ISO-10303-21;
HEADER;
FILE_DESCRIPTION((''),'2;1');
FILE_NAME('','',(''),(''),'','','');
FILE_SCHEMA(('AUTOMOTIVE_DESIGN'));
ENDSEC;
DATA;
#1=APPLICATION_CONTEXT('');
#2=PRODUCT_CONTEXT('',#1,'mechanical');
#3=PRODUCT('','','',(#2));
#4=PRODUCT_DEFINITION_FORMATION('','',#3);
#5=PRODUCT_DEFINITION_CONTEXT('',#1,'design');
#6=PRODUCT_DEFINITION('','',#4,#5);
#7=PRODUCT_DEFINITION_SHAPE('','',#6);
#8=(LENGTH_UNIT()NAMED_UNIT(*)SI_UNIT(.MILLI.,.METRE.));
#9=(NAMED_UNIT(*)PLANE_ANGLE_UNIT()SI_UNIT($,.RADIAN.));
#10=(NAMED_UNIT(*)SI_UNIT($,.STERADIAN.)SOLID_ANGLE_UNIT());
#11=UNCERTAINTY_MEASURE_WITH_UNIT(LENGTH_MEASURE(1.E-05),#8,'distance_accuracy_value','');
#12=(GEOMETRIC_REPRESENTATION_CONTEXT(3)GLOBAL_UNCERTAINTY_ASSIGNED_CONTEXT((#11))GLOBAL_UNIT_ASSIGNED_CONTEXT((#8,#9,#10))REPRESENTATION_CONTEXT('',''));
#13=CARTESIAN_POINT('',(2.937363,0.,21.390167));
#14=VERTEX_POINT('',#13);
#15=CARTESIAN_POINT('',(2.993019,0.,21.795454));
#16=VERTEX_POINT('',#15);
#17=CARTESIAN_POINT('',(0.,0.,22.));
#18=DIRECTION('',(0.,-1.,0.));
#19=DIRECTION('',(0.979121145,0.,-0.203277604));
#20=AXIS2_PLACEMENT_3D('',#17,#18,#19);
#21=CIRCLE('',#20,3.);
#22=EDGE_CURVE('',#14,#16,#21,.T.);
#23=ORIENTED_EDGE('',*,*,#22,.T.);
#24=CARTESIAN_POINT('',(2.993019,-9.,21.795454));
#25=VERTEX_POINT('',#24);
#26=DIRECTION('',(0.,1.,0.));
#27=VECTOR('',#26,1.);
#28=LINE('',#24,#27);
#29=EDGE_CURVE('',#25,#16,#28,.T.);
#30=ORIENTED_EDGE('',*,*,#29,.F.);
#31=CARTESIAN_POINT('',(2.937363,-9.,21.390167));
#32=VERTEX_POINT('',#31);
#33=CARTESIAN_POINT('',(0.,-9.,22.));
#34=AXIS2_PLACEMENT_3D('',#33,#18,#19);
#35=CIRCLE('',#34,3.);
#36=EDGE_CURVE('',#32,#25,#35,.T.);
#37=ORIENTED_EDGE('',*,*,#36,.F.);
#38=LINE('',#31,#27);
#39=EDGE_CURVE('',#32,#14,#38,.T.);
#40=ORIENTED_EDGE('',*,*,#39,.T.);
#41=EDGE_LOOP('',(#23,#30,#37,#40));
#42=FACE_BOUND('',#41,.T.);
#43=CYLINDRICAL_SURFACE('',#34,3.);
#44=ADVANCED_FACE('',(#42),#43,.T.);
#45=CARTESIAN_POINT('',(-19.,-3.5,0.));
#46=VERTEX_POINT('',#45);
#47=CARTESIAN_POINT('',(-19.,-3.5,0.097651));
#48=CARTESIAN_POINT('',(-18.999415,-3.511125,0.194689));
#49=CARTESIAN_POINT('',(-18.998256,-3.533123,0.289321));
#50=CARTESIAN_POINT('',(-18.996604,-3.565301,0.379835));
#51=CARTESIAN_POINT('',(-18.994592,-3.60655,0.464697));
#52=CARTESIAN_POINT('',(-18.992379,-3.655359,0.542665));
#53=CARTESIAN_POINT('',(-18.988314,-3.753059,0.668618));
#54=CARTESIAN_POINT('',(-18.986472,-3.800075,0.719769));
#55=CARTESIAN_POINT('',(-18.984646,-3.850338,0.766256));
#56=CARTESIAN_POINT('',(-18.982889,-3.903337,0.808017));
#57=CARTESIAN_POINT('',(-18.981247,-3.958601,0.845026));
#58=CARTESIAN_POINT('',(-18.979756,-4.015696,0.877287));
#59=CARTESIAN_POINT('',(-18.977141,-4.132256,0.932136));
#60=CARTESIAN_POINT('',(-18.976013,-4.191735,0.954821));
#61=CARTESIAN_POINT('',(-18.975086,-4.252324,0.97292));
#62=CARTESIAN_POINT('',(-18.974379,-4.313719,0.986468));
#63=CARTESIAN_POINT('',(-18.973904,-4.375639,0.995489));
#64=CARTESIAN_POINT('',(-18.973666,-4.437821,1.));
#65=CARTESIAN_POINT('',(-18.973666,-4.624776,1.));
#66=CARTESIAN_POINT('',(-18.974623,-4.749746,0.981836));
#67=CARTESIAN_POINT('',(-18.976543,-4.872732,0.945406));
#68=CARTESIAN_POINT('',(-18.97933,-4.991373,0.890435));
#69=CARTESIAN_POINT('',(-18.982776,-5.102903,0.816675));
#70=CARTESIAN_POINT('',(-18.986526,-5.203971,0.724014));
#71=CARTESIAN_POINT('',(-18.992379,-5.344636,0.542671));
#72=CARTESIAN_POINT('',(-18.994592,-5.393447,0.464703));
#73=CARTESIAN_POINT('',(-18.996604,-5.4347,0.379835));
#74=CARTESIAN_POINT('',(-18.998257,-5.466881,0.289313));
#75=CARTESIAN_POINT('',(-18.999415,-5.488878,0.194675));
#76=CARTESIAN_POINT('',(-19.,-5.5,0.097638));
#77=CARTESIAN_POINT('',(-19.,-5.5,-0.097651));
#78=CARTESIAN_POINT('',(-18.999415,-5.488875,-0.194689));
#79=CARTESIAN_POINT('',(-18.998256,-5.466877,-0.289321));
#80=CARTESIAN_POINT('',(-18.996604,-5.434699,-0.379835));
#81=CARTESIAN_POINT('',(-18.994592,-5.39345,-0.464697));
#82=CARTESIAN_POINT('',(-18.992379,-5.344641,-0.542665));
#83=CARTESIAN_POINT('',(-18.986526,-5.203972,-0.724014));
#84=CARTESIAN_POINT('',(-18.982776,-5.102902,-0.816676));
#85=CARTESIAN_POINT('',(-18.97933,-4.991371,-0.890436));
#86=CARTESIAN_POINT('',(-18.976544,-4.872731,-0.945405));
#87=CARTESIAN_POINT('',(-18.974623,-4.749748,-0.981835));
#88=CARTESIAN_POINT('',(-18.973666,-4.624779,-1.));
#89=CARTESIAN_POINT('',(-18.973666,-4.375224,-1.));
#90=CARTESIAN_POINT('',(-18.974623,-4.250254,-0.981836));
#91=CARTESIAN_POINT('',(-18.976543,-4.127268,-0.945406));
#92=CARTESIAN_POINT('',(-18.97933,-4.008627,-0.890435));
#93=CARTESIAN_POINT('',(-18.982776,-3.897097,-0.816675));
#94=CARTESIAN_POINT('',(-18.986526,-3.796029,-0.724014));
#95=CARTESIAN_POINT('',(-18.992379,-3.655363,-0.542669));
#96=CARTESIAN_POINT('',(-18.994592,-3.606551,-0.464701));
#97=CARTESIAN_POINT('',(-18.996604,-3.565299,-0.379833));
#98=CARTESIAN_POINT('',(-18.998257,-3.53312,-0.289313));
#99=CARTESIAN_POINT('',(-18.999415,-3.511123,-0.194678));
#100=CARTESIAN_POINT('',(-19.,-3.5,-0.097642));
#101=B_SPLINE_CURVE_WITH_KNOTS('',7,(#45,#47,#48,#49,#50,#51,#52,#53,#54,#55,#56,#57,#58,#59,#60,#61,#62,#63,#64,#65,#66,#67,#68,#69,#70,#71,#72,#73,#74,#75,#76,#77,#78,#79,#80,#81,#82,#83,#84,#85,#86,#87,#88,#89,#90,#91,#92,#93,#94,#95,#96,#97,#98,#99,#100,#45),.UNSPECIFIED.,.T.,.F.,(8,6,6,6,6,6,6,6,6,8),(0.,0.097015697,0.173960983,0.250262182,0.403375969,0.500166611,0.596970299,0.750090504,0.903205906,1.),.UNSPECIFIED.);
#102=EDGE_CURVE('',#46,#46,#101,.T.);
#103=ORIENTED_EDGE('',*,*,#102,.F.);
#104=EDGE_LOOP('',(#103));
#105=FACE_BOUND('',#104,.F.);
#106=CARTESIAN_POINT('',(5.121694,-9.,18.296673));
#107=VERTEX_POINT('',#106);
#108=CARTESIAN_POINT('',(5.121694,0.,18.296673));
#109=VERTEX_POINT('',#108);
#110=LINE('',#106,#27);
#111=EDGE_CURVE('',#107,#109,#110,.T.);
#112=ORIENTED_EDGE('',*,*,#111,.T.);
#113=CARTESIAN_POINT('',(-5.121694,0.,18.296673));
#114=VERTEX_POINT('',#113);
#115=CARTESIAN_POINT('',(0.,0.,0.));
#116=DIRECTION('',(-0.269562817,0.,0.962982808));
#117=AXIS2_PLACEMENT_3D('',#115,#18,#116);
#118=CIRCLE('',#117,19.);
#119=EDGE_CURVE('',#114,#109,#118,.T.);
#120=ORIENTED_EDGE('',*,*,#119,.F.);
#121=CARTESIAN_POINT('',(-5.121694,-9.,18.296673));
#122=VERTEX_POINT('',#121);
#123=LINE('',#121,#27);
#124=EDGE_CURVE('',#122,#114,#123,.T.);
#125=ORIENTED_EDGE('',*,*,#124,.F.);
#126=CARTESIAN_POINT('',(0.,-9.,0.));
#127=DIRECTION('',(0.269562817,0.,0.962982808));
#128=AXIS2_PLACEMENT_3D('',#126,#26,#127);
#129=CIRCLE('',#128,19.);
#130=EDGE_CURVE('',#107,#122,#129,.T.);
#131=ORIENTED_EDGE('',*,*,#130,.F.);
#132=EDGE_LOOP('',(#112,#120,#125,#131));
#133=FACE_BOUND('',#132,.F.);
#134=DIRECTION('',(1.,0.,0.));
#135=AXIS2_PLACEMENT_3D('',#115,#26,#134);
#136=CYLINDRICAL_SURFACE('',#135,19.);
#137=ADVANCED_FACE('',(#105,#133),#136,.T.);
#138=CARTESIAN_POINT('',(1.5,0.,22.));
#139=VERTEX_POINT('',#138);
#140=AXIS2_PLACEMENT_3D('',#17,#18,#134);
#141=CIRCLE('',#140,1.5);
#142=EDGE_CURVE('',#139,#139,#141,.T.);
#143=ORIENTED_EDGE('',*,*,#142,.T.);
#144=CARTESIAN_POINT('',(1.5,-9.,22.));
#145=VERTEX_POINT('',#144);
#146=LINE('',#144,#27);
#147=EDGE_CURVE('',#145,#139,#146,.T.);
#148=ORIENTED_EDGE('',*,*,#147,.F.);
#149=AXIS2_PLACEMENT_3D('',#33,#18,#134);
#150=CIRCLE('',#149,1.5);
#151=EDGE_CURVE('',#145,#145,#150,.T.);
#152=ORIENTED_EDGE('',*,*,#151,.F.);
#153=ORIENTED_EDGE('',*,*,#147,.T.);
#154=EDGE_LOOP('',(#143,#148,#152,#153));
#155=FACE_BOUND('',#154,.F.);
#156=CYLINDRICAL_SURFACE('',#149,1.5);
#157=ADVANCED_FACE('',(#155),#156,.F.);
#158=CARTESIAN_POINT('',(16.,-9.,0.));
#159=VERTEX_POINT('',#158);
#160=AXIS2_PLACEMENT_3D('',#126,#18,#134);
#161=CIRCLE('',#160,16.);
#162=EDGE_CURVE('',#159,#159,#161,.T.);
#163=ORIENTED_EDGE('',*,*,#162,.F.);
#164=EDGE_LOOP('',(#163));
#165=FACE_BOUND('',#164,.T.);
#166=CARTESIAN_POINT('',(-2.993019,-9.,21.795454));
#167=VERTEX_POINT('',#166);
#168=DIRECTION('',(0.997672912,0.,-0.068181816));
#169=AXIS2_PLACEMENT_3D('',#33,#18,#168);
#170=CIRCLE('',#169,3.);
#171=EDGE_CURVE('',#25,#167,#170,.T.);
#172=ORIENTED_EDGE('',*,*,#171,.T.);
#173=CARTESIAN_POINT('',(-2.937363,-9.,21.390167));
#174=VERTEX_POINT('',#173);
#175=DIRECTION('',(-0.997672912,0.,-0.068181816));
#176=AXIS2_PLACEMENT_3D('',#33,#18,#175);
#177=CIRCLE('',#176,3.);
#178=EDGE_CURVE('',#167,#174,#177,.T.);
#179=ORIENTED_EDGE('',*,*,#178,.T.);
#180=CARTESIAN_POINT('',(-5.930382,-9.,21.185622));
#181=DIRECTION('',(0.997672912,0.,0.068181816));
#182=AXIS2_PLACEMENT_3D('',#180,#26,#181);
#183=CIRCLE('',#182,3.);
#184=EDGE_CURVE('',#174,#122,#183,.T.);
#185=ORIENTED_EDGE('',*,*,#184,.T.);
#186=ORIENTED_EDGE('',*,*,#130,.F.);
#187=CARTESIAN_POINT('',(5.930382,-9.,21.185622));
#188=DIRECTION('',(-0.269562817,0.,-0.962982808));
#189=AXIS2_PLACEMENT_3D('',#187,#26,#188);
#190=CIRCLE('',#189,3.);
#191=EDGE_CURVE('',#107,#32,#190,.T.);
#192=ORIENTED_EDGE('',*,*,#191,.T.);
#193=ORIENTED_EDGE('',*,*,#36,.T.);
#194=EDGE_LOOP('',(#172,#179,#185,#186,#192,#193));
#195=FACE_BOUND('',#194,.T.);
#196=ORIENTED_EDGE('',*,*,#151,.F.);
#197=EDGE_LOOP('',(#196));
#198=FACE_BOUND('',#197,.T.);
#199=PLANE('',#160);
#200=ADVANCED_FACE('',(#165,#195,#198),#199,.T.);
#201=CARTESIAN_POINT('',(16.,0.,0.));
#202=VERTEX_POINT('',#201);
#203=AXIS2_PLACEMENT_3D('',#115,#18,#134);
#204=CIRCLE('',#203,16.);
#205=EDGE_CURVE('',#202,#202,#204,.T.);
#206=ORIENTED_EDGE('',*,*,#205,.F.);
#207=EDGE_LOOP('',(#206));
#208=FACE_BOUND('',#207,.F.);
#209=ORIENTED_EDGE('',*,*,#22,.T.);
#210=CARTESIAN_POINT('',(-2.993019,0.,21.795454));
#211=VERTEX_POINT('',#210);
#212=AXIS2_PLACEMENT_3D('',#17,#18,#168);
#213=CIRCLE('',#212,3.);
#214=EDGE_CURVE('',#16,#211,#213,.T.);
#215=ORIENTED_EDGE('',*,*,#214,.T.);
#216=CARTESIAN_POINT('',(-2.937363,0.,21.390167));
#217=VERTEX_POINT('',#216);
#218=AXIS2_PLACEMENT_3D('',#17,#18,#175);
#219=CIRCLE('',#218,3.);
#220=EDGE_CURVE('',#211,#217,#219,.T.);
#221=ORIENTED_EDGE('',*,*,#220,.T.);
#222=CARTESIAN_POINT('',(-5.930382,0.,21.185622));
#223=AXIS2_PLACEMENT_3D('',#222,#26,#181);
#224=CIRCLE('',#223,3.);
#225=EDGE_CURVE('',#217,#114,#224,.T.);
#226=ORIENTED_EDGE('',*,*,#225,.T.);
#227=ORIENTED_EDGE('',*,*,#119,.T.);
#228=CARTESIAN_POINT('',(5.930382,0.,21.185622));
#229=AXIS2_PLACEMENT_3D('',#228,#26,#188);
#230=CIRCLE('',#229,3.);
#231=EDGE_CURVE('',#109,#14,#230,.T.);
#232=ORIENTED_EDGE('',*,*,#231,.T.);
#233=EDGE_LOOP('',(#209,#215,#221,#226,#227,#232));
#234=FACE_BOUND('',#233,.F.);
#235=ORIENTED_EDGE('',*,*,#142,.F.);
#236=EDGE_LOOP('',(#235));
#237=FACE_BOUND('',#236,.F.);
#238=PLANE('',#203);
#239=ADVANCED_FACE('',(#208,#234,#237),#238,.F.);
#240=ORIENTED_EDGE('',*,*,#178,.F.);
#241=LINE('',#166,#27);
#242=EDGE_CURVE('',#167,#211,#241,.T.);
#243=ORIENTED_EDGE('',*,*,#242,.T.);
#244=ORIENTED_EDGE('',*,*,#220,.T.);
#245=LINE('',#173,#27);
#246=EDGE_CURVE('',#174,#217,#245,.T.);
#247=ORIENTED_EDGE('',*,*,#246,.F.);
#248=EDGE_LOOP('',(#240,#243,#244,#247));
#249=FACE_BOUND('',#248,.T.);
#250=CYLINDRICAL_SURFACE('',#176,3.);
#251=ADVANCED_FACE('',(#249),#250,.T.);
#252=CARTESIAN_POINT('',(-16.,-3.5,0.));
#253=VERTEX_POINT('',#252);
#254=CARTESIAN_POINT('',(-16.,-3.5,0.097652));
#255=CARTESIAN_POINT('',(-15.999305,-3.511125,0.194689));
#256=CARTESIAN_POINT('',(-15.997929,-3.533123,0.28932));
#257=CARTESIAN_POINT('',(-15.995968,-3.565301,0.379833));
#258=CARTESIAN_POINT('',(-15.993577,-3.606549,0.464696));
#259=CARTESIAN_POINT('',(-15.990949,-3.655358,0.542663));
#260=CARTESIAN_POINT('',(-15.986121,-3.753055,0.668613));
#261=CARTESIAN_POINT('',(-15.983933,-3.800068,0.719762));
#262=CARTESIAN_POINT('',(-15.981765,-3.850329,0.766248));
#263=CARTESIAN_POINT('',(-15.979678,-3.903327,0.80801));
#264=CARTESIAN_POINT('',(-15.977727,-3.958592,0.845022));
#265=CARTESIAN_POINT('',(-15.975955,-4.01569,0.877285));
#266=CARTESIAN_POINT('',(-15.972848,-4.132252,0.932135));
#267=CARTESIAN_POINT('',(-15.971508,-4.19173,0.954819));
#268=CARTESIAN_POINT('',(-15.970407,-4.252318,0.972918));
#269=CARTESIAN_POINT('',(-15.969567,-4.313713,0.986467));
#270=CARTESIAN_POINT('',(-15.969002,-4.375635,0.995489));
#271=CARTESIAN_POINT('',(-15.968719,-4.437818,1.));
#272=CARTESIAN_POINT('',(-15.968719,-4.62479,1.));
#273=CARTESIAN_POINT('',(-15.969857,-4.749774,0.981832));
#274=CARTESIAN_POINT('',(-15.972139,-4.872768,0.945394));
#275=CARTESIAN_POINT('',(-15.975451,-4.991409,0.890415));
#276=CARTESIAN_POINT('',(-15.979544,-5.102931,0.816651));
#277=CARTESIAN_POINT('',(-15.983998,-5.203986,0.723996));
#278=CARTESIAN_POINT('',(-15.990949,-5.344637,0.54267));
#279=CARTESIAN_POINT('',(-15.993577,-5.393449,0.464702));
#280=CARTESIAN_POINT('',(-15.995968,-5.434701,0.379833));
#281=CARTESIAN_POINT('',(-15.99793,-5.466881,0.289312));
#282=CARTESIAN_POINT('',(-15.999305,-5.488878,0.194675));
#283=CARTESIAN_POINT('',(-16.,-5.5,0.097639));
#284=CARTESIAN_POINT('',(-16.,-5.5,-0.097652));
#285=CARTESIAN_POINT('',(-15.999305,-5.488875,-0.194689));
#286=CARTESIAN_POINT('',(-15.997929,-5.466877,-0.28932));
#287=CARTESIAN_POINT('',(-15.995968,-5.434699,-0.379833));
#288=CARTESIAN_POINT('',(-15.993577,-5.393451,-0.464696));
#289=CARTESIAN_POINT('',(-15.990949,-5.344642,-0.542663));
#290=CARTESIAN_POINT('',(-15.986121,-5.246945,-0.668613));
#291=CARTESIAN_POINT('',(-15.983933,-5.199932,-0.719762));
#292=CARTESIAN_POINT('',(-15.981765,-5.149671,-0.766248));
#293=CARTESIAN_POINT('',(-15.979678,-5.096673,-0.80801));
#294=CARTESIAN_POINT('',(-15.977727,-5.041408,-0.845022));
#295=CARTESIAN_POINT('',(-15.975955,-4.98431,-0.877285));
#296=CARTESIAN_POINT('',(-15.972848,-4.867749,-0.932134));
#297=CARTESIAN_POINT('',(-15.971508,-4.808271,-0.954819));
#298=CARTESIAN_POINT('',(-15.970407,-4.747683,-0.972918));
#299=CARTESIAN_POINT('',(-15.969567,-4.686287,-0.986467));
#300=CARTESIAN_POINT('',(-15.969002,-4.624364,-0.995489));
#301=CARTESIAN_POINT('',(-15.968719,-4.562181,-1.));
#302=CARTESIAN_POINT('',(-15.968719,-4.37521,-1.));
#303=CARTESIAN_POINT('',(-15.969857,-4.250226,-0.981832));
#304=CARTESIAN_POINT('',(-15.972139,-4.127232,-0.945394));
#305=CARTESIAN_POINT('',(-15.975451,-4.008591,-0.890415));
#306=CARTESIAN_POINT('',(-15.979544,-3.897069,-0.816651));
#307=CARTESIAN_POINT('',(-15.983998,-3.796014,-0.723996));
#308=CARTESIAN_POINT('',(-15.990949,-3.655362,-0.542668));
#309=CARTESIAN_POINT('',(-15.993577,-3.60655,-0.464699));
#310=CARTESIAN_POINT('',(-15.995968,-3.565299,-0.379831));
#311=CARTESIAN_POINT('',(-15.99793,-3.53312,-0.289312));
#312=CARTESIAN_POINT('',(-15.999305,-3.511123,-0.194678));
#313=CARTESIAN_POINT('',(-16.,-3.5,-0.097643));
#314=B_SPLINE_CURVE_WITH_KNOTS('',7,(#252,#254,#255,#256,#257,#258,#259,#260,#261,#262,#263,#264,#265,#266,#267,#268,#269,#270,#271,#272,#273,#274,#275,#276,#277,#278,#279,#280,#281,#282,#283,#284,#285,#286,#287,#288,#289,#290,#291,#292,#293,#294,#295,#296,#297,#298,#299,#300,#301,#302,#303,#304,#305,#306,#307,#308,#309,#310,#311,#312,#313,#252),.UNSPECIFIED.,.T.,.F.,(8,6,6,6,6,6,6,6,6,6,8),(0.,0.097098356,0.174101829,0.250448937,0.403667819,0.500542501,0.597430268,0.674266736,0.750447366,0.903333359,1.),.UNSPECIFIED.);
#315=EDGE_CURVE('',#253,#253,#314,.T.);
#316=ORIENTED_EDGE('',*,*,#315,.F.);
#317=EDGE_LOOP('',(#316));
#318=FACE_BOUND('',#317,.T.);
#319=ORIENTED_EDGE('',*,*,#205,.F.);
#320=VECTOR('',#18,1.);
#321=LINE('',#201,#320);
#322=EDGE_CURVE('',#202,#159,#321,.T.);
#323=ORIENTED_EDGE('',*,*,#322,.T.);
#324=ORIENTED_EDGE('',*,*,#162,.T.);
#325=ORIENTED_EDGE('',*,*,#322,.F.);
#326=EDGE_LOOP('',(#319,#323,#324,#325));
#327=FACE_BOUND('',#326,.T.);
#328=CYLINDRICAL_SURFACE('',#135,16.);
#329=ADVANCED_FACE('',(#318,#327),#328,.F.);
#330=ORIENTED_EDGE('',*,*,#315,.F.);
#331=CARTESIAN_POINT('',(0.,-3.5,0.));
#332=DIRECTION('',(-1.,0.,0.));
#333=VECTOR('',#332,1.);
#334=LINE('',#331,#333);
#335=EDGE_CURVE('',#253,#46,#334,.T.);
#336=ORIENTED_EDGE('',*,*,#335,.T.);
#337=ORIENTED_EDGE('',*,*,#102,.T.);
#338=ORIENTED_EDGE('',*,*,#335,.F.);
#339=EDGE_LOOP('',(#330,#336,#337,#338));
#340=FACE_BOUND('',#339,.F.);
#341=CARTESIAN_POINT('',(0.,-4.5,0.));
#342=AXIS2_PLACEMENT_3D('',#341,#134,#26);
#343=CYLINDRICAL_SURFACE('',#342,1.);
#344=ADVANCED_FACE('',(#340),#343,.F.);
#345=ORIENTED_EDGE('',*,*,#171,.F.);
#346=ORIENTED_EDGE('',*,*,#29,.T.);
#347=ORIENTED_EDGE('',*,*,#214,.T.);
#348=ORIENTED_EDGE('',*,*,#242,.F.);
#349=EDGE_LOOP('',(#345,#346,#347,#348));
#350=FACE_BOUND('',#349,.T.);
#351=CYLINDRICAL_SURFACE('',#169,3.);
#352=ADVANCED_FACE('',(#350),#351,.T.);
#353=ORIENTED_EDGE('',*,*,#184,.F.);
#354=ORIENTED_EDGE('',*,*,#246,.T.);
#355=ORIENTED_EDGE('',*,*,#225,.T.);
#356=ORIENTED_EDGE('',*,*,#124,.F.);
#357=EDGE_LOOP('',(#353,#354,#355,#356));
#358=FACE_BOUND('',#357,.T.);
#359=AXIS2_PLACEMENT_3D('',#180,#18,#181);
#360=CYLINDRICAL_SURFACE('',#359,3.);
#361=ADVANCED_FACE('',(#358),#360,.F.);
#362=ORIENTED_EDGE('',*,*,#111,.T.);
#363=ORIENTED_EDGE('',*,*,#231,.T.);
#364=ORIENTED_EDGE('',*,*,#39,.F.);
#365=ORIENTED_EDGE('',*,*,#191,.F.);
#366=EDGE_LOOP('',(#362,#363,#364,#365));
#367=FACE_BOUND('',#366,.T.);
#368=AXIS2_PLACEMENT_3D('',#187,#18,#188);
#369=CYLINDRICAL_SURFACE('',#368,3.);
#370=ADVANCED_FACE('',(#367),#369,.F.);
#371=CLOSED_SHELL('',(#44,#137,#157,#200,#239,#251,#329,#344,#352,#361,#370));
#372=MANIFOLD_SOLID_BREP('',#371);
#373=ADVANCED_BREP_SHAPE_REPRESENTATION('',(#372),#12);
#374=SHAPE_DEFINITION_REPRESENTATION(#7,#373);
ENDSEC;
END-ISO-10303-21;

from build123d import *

# Parameters (mm, degrees)
F0_R     = 19
F0_R_2   = 16
F1_DEPTH = 9
F4_R     = 3
F5_DEPTH = 19.001
F6_R     = 1.5
F7_DEPTH = 9
F9_D     = 2
F9_DEPTH = 50
F9_TIP   = 0.600860619


with BuildPart() as f1:
    # F0 (on Front) → F1 (new body)
    with BuildSketch(Plane.XZ):
        Circle(F0_R)
        Circle(F0_R_2, mode=Mode.SUBTRACT)
    extrude(amount=F1_DEPTH)

    # F4 (on Right) → F5 (cut, through all)
    with BuildSketch(Plane.YZ):
        with Locations((-18, 0)):
            Circle(F4_R)
    extrude(amount=-F5_DEPTH, mode=Mode.SUBTRACT)

    # F6 (on face) → F7 (join)
    with BuildSketch(Plane.XZ.offset(9)):
        with BuildLine():
            ThreePointArc((-2.937363317, 21.3901670932), (-3.479735084, 19.4552086117), (-5.1216935171, 18.2966733456))
            ThreePointArc((-5.1216935171, 18.2966733456), (0, 19), (5.1216935171, 18.2966733456))
            ThreePointArc((5.1216935171, 18.2966733456), (3.479735084, 19.4552086117), (2.937363317, 21.3901670932))
            ThreePointArc((2.937363317, 21.3901670932), (2.9582746132, 21.5937605423), (2.993018618, 21.7954544414))
            ThreePointArc((2.993018618, 21.7954544414), (0, 24.9999997616), (-2.993018618, 21.7954544414))
            ThreePointArc((-2.993018618, 21.7954544414), (-2.9582746132, 21.5937605423), (-2.937363317, 21.3901670932))
        make_face()
        with Locations((0, 21.9999998808)):
            Circle(F6_R, mode=Mode.SUBTRACT)
        with BuildLine():
            ThreePointArc((-2.993018618, 21.7954544414), (-2.9721073218, 21.5918609923), (-2.937363317, 21.3901670932))
            ThreePointArc((-2.937363317, 21.3901670932), (-2.9582746132, 21.5937605423), (-2.993018618, 21.7954544414))
        make_face()
        with BuildLine():
            ThreePointArc((2.993018618, 21.7954544414), (2.9582746132, 21.5937605423), (2.937363317, 21.3901670932))
            ThreePointArc((2.937363317, 21.3901670932), (2.9721073218, 21.5918609923), (2.993018618, 21.7954544414))
        make_face()
    extrude(amount=-F7_DEPTH)

    # F9 (one way)
    with BuildSketch(Plane.YZ):
        with Locations((-4.5, 0)):
            Circle(F9_D / 2)
    extrude(amount=-F9_DEPTH, mode=Mode.SUBTRACT)
    with Locations(Plane.YZ):
        with Locations((-4.5, 0)):
            with Locations((0, 0, -(F9_DEPTH + F9_TIP / 2))):  # 118° drill point
                Cone(0, F9_D / 2, F9_TIP, mode=Mode.SUBTRACT)


solid = f1.part
